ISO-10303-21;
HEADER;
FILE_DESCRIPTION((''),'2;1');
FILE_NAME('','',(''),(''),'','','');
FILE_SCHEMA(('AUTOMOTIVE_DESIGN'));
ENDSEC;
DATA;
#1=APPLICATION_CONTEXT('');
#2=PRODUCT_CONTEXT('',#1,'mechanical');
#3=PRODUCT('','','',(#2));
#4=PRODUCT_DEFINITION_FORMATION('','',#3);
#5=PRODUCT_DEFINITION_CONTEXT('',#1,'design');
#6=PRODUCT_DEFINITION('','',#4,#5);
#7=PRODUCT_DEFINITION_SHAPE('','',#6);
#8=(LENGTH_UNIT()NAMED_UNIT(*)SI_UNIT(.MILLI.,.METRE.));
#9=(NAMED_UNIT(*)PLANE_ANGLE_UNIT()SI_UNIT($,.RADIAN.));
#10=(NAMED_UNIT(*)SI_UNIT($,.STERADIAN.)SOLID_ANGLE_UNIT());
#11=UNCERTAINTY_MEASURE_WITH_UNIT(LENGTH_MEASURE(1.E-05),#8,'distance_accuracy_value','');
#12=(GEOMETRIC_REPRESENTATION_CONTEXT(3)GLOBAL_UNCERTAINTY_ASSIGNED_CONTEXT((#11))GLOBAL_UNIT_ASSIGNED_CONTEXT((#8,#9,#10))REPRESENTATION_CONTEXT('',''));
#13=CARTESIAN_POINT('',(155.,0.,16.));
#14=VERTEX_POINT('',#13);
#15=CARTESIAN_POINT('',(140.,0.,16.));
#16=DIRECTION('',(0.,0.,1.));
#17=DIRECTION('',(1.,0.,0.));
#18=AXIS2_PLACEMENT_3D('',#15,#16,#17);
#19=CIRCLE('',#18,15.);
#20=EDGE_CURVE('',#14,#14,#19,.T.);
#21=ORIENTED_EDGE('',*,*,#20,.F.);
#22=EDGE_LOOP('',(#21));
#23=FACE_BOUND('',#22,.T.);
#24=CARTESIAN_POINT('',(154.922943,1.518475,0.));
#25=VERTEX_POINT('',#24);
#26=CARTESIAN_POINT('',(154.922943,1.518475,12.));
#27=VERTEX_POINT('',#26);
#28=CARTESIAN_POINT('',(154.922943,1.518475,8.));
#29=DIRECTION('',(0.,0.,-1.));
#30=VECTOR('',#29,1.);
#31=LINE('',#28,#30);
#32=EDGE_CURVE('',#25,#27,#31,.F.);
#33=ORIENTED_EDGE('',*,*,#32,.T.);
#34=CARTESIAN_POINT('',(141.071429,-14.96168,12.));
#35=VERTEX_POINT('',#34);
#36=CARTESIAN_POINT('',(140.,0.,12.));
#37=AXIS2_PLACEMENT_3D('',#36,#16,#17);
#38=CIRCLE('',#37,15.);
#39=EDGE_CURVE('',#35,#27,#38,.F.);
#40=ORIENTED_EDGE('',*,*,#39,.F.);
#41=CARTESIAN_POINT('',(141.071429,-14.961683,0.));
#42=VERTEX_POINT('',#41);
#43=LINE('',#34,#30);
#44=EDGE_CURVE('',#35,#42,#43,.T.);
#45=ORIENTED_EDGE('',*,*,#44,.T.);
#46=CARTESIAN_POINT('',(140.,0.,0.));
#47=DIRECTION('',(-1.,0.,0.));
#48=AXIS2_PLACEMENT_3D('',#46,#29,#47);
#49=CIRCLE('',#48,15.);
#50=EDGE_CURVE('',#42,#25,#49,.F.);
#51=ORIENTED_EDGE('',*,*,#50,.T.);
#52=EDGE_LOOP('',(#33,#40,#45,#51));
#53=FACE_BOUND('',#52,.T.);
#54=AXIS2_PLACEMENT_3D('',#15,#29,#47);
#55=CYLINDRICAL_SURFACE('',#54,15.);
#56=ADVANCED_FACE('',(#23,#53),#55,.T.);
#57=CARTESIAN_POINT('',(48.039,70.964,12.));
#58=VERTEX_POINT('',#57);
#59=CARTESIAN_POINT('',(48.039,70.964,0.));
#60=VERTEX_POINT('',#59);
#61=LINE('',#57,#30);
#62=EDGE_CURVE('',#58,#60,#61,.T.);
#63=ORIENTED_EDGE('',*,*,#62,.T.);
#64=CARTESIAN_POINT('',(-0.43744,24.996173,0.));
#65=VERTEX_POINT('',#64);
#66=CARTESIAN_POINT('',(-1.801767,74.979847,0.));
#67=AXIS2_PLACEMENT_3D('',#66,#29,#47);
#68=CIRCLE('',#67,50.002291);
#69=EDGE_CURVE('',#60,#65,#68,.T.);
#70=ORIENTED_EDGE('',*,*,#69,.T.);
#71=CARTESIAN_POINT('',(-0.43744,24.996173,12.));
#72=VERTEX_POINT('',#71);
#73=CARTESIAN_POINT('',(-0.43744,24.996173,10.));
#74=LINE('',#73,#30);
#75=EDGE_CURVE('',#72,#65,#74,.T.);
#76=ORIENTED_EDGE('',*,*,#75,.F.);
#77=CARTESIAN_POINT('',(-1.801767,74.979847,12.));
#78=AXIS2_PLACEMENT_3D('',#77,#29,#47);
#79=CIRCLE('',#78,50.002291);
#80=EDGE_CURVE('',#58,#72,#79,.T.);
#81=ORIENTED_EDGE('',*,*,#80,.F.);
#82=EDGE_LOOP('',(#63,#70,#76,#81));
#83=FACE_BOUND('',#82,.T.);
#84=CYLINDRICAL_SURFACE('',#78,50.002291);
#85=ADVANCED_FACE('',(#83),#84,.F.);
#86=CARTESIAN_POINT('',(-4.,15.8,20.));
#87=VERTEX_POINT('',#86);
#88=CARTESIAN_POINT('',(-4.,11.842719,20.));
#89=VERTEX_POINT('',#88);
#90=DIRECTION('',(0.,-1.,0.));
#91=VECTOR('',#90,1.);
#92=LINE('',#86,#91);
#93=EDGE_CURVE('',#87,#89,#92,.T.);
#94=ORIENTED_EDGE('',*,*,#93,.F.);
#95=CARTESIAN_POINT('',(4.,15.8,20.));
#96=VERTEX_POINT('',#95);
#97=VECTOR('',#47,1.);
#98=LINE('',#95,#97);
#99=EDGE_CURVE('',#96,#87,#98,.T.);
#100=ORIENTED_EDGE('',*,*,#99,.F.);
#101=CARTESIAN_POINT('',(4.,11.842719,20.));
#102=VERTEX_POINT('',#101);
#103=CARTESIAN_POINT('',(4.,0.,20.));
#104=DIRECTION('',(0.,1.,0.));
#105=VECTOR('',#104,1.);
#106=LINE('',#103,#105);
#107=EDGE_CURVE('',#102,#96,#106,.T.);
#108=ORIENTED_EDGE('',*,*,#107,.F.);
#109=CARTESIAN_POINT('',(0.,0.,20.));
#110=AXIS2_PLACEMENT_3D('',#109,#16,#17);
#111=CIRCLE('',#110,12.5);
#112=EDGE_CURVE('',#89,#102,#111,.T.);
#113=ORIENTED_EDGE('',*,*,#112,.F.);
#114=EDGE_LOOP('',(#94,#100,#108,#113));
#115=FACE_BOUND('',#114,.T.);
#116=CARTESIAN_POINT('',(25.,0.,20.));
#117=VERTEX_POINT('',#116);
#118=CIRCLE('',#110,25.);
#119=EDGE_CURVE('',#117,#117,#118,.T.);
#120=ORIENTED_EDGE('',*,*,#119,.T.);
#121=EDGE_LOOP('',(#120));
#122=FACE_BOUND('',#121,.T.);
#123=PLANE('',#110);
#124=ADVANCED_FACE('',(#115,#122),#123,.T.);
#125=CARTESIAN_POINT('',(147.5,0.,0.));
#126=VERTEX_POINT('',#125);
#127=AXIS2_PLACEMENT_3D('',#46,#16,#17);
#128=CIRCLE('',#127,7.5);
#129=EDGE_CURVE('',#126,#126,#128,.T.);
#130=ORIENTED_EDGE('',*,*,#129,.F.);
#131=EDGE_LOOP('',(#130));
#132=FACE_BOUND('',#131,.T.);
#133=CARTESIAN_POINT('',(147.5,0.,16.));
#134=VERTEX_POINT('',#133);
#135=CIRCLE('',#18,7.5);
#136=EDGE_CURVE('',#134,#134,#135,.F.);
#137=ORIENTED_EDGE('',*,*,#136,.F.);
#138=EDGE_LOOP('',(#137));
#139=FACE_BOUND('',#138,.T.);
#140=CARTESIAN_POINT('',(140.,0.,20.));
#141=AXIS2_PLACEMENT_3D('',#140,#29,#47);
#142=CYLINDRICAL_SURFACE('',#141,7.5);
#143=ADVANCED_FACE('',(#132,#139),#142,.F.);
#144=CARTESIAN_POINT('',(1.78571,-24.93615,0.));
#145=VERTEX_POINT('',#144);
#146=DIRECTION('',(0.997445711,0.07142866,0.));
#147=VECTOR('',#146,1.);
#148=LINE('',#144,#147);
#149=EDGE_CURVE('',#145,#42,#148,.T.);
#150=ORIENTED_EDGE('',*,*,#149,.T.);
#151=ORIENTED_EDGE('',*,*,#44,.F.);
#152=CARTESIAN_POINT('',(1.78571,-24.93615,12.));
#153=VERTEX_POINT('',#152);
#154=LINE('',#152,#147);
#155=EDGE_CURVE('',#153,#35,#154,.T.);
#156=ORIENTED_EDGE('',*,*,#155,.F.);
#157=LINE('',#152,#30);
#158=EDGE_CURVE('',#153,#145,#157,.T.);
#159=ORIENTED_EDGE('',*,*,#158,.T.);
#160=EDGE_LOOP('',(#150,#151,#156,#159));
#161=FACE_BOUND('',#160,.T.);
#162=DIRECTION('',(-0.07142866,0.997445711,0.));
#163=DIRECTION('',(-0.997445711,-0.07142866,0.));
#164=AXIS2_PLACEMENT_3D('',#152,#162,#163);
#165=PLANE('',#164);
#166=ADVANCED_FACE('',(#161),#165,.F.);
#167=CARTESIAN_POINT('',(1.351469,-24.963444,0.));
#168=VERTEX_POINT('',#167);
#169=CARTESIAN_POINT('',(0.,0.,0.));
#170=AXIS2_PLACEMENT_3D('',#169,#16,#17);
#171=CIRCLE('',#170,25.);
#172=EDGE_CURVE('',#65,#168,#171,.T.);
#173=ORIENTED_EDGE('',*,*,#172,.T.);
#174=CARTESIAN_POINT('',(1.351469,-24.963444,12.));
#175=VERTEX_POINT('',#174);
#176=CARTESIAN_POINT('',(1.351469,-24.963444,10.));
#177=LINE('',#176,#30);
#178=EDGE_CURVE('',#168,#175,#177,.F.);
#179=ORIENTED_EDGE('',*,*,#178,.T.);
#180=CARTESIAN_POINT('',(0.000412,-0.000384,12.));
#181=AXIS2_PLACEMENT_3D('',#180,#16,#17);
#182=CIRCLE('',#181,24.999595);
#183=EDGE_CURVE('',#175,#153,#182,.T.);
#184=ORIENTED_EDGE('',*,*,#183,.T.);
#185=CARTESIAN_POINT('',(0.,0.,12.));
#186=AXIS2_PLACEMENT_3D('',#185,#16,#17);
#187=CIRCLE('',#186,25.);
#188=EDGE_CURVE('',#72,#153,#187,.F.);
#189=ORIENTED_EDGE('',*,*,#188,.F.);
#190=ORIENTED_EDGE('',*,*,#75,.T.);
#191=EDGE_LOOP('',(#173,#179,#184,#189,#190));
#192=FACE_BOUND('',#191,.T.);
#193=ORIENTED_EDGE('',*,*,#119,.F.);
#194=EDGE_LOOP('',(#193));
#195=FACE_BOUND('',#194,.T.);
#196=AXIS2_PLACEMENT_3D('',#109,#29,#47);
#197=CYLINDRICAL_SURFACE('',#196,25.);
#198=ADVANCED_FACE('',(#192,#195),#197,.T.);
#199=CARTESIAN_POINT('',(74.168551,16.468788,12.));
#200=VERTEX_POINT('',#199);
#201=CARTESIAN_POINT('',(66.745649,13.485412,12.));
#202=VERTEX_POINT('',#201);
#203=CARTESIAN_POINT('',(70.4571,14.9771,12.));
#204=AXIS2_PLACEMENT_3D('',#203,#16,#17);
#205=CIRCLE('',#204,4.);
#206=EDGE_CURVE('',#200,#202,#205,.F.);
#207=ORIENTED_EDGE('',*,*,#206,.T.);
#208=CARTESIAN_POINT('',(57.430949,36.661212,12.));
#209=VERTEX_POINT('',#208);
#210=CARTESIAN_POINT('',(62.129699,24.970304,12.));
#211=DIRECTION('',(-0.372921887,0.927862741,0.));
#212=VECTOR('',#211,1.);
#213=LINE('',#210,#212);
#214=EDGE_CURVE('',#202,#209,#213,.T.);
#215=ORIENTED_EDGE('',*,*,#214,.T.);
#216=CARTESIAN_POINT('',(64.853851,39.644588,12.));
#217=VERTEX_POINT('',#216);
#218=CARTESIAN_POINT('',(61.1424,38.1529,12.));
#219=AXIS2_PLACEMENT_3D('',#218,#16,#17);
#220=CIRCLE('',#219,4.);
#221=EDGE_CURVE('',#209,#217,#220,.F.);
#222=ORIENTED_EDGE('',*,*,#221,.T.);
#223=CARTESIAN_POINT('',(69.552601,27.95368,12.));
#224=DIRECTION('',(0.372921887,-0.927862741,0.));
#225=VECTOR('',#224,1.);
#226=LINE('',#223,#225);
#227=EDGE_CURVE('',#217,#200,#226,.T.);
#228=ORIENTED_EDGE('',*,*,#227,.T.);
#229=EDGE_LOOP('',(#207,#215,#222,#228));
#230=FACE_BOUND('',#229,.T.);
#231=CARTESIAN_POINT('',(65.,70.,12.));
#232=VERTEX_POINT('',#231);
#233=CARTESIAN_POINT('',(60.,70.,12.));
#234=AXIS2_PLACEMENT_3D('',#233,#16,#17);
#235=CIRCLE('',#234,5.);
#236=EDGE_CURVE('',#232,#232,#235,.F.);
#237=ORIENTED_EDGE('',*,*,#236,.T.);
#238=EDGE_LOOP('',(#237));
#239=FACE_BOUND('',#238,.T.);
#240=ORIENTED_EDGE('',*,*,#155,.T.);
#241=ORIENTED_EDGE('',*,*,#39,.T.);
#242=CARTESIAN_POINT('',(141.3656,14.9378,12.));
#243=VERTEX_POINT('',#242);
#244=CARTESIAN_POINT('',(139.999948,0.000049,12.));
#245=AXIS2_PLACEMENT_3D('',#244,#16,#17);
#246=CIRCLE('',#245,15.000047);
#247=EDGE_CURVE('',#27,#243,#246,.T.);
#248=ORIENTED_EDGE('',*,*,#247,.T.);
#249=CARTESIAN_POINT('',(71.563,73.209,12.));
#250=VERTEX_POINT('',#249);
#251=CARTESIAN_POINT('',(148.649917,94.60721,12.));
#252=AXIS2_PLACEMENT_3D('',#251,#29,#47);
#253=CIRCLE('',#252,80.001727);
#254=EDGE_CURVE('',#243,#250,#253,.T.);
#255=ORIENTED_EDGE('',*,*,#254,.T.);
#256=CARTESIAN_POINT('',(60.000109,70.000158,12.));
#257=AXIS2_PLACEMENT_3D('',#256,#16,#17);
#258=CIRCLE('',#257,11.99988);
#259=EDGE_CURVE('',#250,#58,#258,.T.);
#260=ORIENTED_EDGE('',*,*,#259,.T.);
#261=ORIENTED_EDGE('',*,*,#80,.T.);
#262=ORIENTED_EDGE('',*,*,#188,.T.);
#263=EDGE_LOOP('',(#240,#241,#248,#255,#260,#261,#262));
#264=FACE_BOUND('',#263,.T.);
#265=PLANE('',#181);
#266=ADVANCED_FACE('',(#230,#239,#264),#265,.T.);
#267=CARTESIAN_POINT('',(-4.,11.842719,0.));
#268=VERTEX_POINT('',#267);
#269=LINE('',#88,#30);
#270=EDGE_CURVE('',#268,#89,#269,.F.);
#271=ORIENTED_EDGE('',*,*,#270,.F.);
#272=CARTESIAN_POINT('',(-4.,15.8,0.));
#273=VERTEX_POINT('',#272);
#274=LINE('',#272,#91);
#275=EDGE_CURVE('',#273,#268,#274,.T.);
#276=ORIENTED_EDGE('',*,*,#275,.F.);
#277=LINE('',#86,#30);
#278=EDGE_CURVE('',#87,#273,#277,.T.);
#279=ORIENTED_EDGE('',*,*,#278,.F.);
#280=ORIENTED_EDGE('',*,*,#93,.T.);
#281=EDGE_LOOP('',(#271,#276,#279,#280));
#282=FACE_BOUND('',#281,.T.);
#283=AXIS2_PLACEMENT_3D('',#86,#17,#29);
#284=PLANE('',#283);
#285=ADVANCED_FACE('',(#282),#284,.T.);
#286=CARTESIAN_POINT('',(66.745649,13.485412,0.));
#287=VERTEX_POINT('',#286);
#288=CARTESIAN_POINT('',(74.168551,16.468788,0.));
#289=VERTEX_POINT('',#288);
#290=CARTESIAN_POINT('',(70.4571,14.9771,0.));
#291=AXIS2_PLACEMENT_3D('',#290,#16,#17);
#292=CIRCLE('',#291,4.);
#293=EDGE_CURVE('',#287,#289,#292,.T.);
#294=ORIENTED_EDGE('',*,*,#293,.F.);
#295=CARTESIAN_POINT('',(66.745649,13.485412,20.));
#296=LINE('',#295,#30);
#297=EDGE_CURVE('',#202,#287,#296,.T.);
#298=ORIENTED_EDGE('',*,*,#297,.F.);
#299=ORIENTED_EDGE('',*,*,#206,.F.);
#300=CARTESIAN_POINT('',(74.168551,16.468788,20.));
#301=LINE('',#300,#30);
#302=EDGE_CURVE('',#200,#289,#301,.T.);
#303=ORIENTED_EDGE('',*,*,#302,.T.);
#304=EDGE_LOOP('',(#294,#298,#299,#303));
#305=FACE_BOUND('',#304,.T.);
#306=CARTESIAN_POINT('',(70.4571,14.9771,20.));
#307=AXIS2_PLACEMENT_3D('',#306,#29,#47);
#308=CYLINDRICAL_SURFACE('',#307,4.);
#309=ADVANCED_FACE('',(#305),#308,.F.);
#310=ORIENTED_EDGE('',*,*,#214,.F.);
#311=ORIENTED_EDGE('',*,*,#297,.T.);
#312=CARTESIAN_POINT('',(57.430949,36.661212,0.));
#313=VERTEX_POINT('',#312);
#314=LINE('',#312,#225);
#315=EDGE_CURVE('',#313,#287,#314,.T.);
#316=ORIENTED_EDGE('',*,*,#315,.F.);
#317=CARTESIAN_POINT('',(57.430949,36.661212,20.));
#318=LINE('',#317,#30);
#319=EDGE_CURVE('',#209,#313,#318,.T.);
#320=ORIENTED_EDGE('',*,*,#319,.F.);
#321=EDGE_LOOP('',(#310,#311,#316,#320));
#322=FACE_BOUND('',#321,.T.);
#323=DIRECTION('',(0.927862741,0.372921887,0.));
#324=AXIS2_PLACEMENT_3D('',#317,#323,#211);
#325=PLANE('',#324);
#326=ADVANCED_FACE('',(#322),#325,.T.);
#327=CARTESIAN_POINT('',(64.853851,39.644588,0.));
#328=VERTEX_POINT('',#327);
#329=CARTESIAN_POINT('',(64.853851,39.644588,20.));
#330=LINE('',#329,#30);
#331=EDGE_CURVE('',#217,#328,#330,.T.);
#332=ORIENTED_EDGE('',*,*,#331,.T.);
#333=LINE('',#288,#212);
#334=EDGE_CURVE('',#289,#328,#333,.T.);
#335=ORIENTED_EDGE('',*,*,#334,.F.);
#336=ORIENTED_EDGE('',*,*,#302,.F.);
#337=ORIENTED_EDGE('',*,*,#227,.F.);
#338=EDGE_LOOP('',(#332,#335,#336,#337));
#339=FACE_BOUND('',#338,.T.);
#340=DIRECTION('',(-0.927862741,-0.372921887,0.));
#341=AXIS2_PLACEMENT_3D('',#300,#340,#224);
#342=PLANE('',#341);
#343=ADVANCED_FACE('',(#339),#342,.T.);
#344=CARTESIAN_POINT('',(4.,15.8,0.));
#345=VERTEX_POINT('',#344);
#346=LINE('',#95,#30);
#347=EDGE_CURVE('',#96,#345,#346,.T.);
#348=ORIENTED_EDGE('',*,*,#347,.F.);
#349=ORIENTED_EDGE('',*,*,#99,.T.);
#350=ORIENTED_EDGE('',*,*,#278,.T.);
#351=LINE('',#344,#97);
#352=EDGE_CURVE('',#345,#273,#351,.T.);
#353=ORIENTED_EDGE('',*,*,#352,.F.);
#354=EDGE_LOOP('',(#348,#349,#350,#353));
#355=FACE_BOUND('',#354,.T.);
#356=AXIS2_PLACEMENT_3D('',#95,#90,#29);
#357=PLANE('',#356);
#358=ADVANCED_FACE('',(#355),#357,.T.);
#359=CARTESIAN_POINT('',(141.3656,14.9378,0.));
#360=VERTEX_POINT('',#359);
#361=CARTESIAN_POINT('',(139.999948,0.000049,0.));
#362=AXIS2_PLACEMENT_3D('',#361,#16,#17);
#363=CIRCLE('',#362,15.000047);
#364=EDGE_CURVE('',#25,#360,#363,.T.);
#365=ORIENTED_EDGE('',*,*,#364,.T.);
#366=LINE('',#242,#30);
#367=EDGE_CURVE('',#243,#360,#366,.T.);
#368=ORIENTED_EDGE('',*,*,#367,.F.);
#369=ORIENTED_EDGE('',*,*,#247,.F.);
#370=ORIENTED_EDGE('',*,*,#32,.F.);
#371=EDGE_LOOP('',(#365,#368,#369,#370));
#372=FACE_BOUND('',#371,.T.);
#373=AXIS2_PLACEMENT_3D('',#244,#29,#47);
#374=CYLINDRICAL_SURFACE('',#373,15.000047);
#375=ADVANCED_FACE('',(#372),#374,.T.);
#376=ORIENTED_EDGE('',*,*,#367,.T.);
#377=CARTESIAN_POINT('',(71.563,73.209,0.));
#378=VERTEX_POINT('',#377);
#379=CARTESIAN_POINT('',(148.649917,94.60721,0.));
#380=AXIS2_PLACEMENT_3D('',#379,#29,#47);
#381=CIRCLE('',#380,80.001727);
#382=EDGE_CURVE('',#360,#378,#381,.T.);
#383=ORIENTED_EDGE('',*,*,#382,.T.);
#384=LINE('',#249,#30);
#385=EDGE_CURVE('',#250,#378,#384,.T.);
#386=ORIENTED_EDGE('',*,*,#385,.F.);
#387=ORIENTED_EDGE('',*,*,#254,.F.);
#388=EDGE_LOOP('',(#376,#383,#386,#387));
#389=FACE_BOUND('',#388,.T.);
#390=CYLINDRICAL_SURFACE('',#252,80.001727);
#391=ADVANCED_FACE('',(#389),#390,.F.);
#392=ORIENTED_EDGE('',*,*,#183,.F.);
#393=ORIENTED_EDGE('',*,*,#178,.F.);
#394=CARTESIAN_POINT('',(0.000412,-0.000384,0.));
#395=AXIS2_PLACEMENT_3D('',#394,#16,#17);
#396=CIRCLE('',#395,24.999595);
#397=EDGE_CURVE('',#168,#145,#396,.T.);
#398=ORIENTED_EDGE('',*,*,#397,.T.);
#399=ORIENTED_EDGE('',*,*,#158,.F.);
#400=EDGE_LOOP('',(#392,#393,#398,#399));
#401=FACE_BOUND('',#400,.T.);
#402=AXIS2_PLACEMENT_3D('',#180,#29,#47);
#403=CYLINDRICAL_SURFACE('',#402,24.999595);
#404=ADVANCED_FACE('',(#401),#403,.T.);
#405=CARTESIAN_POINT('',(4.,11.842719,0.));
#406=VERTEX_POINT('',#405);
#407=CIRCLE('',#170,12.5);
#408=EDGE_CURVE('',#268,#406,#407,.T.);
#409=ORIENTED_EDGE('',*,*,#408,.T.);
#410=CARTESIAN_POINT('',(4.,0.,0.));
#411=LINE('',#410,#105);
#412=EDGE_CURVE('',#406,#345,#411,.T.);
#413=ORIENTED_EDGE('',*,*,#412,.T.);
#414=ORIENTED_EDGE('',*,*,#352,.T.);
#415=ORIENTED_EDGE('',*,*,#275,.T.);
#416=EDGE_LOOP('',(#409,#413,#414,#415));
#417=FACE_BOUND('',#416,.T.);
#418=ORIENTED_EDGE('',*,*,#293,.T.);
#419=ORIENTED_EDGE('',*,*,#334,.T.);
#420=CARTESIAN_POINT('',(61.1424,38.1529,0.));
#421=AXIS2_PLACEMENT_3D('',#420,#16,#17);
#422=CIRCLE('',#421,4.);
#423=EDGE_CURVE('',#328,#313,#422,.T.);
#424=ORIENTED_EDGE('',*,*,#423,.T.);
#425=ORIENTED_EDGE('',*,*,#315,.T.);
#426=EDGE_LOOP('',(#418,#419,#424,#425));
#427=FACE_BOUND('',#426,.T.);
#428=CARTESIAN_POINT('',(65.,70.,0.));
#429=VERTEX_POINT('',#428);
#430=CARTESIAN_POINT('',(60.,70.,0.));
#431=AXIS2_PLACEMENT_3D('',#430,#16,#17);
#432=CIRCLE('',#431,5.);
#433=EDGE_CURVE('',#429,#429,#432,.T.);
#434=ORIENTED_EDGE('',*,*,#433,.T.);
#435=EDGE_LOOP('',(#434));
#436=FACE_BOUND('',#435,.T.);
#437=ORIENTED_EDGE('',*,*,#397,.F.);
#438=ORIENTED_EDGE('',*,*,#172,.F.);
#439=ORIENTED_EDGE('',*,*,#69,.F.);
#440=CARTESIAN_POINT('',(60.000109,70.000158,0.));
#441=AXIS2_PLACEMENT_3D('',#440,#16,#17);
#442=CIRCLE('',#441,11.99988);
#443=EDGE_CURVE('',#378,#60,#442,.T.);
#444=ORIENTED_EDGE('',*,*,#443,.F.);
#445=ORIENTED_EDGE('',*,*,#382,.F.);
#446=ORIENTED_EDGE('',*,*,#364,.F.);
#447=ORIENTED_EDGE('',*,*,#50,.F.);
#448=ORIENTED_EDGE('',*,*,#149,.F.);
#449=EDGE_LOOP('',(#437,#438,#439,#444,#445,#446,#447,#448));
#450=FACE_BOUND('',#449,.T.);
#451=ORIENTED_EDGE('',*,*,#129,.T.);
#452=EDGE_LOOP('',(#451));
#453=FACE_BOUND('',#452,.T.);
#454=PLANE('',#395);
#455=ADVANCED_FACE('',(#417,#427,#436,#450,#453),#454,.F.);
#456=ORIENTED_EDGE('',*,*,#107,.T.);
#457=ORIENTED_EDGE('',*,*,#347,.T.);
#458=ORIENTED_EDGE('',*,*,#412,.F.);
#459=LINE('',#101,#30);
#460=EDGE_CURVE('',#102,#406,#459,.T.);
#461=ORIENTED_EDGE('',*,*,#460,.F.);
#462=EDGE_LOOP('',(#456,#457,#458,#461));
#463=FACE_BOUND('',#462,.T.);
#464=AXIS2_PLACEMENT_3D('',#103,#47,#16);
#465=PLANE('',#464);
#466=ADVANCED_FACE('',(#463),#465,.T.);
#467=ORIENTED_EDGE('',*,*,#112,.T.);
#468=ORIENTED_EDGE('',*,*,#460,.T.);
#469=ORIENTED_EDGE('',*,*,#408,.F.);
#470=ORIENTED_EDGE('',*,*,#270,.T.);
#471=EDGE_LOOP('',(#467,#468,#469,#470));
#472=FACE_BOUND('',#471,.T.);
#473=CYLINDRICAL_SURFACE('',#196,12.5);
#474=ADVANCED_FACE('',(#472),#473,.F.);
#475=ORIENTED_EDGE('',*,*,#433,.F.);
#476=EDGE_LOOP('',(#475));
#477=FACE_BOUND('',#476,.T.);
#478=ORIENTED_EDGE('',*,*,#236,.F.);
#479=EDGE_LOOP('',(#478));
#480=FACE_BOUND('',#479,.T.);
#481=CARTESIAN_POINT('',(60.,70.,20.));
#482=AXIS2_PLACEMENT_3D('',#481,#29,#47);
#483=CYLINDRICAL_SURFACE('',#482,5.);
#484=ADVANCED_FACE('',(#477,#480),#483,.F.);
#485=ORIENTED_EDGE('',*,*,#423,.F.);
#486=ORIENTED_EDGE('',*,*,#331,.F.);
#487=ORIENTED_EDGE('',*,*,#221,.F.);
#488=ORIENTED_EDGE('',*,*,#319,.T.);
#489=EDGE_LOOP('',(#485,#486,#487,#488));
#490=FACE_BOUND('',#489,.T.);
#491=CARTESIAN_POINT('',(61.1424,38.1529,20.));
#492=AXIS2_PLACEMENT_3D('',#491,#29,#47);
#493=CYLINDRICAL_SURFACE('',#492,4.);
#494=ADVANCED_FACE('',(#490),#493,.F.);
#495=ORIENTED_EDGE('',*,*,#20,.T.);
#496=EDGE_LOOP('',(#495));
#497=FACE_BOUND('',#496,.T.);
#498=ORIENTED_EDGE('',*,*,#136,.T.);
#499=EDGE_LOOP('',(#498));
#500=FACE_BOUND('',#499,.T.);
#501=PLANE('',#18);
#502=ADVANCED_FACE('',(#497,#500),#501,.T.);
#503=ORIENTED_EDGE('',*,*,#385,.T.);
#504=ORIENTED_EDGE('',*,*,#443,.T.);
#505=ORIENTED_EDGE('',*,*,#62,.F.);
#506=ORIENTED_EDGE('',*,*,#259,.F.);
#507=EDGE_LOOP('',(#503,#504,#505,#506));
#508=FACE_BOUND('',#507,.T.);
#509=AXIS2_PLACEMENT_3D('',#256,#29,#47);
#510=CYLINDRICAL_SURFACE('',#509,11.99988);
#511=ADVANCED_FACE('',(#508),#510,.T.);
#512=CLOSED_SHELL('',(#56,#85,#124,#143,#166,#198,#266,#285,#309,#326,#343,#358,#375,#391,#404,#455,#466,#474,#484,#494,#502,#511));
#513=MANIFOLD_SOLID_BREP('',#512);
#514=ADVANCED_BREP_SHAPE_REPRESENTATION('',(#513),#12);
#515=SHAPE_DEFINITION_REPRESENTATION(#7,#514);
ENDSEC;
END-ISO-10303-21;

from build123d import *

# Parameters (mm, degrees)
EXTRUDE_1_DEPTH     = 12
SKETCH_2_R          = 25
EXTRUDE_2_DEPTH     = 20
SKETCH_3_R          = 15
EXTRUDE_3_DEPTH     = 16
SKETCH_4_R          = 12.5
CUT_EXTRUDE_1_DEPTH = 177.490810683
SKETCH_5_R          = 7.5
CUT_EXTRUDE_2_DEPTH = 177.490810683
SKETCH_6_R          = 5
CUT_EXTRUDE_3_DEPTH = 177.490810683
SKETCH_7_W          = 8
SKETCH_7_H          = 15.8
CUT_EXTRUDE_4_DEPTH = 177.490810683
CUT_EXTRUDE_5_DEPTH = 177.490810683


with BuildPart() as part:
    # 草图1 → 凸台-拉伸1 (new body)
    with BuildSketch(Plane.XY):
        with BuildLine():
            Line((1.78571, -24.93615), (141.071429, -14.96168))
            ThreePointArc((141.071429, -14.96168), (154.99926882, -0.14752424), (141.3656, 14.9378))
            ThreePointArc((141.3656, 14.9378), (97.38092577, 33.192499348), (71.563, 73.209))
            ThreePointArc((71.563, 73.209), (58.860086683, 81.945762749), (48.039, 70.964))
            ThreePointArc((48.039, 70.964), (32.544866926, 38.640642001), (-0.6, 24.992))
            ThreePointArc((-0.6, 24.992), (-24.970691707, -1.193574475), (1.78571, -24.93615))
        make_face()
    extrude(amount=EXTRUDE_1_DEPTH)

    # 草图2 → 凸台-拉伸2 (add)
    with BuildSketch(Plane.XY):
        with Locations(Location((0, 0, 0), (0, 0, 91.002589643))):
            Circle(SKETCH_2_R)
    extrude(amount=EXTRUDE_2_DEPTH)

    # 草图3 → 凸台-拉伸3 (add)
    with BuildSketch(Plane.XY):
        with Locations(Location((140, 0, 0), (0, 0, 274.096046963))):
            Circle(SKETCH_3_R)
    extrude(amount=EXTRUDE_3_DEPTH)

    # 草图4 → 切除-拉伸1 (cut, through all)
    with BuildSketch(Plane.XY):
        Circle(SKETCH_4_R)
    extrude(amount=CUT_EXTRUDE_1_DEPTH, mode=Mode.SUBTRACT)

    # 草图5 → 切除-拉伸2 (cut, through all)
    with BuildSketch(Plane.XY):
        with Locations((140, 0)):
            Circle(SKETCH_5_R)
    extrude(amount=CUT_EXTRUDE_2_DEPTH, mode=Mode.SUBTRACT)

    # 草图6 → 切除-拉伸3 (cut, through all)
    with BuildSketch(Plane.XY):
        with Locations((60, 70)):
            Circle(SKETCH_6_R)
    extrude(amount=CUT_EXTRUDE_3_DEPTH, mode=Mode.SUBTRACT)

    # 草图7 → 切除-拉伸4 (cut, through all)
    with BuildSketch(Plane.XY):
        with Locations((0, 7.9)):
            Rectangle(SKETCH_7_W, SKETCH_7_H)
    extrude(amount=CUT_EXTRUDE_4_DEPTH, mode=Mode.SUBTRACT)

    # 草图8 → 切除-拉伸5 (cut, through all)
    with BuildSketch(Plane.XY):
        with BuildLine():
            Line((74.168550964, 16.468787549), (64.853850964, 39.644587549))
            ThreePointArc((64.853850964, 39.644587549), (59.650712451, 41.864350964), (57.430949036, 36.661212451))
            Line((57.430949036, 36.661212451), (66.745649036, 13.485412451))
            ThreePointArc((66.745649036, 13.485412451), (71.948787549, 11.265649036), (74.168550964, 16.468787549))
        make_face()
    extrude(amount=CUT_EXTRUDE_5_DEPTH, mode=Mode.SUBTRACT)


solid = part.part
